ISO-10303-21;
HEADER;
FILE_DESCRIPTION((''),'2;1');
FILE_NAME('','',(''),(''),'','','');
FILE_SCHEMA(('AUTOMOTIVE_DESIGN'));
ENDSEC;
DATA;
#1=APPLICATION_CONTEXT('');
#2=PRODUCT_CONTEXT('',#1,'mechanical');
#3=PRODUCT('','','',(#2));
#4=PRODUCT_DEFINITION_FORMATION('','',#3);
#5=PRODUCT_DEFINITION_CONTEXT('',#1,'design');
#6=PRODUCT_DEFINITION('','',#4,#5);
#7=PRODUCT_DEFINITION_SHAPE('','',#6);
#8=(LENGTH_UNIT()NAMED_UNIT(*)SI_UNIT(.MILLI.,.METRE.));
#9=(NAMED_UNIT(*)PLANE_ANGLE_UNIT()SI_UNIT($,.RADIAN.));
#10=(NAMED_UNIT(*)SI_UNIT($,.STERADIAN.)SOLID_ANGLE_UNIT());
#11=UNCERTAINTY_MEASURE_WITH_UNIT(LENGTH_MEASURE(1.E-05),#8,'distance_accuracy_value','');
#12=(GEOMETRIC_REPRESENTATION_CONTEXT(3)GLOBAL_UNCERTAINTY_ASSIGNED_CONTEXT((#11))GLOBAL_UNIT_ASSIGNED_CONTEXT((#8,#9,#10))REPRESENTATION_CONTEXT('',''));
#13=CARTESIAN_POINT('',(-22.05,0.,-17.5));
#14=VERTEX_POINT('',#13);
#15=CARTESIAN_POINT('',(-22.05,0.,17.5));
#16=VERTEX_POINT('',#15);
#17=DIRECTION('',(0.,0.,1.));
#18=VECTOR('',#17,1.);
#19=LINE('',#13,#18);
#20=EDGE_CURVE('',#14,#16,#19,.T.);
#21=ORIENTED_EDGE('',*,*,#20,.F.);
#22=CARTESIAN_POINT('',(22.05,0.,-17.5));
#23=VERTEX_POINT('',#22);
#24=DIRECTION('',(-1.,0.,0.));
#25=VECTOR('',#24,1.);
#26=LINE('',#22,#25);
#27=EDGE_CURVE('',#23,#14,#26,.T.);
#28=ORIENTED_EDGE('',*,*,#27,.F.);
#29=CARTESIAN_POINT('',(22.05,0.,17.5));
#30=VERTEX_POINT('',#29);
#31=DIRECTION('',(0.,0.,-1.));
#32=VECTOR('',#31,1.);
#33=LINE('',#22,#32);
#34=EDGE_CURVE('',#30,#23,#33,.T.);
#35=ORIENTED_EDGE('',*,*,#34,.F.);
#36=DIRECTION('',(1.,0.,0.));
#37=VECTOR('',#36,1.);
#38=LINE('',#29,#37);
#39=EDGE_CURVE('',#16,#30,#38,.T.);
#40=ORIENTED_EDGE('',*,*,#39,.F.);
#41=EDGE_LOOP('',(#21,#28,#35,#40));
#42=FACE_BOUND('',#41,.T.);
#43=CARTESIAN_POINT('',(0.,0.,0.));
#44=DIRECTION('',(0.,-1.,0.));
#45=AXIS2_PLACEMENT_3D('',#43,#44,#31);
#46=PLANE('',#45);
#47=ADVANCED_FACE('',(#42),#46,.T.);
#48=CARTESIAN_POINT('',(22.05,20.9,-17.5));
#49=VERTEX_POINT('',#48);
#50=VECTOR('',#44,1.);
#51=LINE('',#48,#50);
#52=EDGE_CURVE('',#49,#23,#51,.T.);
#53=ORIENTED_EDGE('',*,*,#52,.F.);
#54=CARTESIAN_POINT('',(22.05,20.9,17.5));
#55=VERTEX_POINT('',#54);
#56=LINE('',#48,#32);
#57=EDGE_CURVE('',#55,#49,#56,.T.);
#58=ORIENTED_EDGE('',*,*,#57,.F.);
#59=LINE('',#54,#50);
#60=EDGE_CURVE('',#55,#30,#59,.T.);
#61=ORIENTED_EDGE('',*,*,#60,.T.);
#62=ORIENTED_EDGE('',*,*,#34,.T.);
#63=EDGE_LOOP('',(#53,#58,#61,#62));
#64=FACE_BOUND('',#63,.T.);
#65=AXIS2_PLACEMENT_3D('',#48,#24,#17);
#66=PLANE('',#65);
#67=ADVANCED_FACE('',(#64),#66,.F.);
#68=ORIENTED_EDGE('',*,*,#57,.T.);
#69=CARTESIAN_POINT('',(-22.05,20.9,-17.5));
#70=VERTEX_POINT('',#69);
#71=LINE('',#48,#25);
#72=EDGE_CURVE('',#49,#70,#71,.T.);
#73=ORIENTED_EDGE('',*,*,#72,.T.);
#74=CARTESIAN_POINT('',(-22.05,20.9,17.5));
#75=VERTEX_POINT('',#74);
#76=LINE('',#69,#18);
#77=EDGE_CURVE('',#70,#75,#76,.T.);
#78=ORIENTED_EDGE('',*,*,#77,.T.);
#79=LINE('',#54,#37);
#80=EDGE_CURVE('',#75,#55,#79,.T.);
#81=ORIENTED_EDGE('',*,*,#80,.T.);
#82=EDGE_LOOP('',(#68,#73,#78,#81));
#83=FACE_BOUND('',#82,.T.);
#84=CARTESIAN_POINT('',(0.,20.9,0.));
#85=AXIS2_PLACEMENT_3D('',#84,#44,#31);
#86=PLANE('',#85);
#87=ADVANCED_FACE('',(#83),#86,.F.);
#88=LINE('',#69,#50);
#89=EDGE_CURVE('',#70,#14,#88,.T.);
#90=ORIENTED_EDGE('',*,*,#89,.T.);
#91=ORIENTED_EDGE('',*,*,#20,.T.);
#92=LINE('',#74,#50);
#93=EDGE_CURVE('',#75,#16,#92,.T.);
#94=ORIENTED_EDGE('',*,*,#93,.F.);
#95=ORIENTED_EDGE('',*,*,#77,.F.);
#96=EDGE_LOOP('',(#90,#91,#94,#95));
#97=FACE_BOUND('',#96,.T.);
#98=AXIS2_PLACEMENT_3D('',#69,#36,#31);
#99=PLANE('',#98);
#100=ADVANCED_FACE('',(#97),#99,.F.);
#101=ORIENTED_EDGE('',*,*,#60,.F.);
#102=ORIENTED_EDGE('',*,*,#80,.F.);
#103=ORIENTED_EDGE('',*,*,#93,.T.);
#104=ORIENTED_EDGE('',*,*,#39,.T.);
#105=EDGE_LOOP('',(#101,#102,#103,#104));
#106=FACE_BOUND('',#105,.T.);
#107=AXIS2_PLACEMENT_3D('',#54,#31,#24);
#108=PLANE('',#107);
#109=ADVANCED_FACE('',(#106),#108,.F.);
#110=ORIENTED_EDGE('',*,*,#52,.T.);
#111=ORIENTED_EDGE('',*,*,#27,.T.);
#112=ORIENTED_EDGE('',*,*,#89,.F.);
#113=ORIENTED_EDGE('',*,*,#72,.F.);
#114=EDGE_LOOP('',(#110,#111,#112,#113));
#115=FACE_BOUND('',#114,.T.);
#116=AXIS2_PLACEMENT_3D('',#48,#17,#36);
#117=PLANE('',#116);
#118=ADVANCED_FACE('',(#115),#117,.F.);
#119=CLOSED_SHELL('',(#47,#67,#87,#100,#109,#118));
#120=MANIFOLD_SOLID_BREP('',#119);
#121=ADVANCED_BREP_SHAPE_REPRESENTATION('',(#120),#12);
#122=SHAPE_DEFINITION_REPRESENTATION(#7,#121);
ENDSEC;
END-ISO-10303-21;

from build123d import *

# Parameters (mm, degrees)
SKETCH_34_W         = 44.1
SKETCH_34_H         = 35
EXTRUDE_1_DEPTH     = 20.9
SKETCH_35_W         = 8
SKETCH_35_H         = 8
EXTRUDE_2_DEPTH     = 109.1
SKETCH_36_W         = 3
SKETCH_36_H         = 3
EXTRUDE_3_DEPTH     = 109
SKETCH_37_W         = 130
SKETCH_37_H         = 130
CUT_EXTRUDE_1_DEPTH = 219.1


with BuildPart() as part:
    # ｽｹｯﾁ34 → ﾎﾞｽ - 押し出し1 (new body)
    with BuildSketch(Plane(origin=(0, 0, 0), x_dir=(1, 0, 0), z_dir=(0, 1, 0))):
        Rectangle(SKETCH_34_W, SKETCH_34_H)
    extrude(amount=EXTRUDE_1_DEPTH)

    # ｽｹｯﾁ35 → ﾎﾞｽ - 押し出し2 (add)
    with BuildSketch(Plane(origin=(0, 20.9, 0), x_dir=(1, 0, 0), z_dir=(0, 1, 0))):
        Rectangle(SKETCH_35_W, SKETCH_35_H)
    extrude(amount=EXTRUDE_2_DEPTH)

    # ｽｹｯﾁ36 → ﾎﾞｽ - 押し出し3 (add)
    with BuildSketch(Plane(origin=(0, 130, 0), x_dir=(1, 0, 0), z_dir=(0, 1, 0))):
        Rectangle(SKETCH_36_W, SKETCH_36_H)
    extrude(amount=EXTRUDE_3_DEPTH)

    # ｽｹｯﾁ37 → ｶｯﾄ - 押し出し1 (cut, through all)
    with BuildSketch(Plane(origin=(0, 20.9, 0), x_dir=(1, 0, 0), z_dir=(0, 1, 0))):
        Rectangle(SKETCH_37_W, SKETCH_37_H)
    extrude(amount=CUT_EXTRUDE_1_DEPTH, mode=Mode.SUBTRACT)


solid = part.part
